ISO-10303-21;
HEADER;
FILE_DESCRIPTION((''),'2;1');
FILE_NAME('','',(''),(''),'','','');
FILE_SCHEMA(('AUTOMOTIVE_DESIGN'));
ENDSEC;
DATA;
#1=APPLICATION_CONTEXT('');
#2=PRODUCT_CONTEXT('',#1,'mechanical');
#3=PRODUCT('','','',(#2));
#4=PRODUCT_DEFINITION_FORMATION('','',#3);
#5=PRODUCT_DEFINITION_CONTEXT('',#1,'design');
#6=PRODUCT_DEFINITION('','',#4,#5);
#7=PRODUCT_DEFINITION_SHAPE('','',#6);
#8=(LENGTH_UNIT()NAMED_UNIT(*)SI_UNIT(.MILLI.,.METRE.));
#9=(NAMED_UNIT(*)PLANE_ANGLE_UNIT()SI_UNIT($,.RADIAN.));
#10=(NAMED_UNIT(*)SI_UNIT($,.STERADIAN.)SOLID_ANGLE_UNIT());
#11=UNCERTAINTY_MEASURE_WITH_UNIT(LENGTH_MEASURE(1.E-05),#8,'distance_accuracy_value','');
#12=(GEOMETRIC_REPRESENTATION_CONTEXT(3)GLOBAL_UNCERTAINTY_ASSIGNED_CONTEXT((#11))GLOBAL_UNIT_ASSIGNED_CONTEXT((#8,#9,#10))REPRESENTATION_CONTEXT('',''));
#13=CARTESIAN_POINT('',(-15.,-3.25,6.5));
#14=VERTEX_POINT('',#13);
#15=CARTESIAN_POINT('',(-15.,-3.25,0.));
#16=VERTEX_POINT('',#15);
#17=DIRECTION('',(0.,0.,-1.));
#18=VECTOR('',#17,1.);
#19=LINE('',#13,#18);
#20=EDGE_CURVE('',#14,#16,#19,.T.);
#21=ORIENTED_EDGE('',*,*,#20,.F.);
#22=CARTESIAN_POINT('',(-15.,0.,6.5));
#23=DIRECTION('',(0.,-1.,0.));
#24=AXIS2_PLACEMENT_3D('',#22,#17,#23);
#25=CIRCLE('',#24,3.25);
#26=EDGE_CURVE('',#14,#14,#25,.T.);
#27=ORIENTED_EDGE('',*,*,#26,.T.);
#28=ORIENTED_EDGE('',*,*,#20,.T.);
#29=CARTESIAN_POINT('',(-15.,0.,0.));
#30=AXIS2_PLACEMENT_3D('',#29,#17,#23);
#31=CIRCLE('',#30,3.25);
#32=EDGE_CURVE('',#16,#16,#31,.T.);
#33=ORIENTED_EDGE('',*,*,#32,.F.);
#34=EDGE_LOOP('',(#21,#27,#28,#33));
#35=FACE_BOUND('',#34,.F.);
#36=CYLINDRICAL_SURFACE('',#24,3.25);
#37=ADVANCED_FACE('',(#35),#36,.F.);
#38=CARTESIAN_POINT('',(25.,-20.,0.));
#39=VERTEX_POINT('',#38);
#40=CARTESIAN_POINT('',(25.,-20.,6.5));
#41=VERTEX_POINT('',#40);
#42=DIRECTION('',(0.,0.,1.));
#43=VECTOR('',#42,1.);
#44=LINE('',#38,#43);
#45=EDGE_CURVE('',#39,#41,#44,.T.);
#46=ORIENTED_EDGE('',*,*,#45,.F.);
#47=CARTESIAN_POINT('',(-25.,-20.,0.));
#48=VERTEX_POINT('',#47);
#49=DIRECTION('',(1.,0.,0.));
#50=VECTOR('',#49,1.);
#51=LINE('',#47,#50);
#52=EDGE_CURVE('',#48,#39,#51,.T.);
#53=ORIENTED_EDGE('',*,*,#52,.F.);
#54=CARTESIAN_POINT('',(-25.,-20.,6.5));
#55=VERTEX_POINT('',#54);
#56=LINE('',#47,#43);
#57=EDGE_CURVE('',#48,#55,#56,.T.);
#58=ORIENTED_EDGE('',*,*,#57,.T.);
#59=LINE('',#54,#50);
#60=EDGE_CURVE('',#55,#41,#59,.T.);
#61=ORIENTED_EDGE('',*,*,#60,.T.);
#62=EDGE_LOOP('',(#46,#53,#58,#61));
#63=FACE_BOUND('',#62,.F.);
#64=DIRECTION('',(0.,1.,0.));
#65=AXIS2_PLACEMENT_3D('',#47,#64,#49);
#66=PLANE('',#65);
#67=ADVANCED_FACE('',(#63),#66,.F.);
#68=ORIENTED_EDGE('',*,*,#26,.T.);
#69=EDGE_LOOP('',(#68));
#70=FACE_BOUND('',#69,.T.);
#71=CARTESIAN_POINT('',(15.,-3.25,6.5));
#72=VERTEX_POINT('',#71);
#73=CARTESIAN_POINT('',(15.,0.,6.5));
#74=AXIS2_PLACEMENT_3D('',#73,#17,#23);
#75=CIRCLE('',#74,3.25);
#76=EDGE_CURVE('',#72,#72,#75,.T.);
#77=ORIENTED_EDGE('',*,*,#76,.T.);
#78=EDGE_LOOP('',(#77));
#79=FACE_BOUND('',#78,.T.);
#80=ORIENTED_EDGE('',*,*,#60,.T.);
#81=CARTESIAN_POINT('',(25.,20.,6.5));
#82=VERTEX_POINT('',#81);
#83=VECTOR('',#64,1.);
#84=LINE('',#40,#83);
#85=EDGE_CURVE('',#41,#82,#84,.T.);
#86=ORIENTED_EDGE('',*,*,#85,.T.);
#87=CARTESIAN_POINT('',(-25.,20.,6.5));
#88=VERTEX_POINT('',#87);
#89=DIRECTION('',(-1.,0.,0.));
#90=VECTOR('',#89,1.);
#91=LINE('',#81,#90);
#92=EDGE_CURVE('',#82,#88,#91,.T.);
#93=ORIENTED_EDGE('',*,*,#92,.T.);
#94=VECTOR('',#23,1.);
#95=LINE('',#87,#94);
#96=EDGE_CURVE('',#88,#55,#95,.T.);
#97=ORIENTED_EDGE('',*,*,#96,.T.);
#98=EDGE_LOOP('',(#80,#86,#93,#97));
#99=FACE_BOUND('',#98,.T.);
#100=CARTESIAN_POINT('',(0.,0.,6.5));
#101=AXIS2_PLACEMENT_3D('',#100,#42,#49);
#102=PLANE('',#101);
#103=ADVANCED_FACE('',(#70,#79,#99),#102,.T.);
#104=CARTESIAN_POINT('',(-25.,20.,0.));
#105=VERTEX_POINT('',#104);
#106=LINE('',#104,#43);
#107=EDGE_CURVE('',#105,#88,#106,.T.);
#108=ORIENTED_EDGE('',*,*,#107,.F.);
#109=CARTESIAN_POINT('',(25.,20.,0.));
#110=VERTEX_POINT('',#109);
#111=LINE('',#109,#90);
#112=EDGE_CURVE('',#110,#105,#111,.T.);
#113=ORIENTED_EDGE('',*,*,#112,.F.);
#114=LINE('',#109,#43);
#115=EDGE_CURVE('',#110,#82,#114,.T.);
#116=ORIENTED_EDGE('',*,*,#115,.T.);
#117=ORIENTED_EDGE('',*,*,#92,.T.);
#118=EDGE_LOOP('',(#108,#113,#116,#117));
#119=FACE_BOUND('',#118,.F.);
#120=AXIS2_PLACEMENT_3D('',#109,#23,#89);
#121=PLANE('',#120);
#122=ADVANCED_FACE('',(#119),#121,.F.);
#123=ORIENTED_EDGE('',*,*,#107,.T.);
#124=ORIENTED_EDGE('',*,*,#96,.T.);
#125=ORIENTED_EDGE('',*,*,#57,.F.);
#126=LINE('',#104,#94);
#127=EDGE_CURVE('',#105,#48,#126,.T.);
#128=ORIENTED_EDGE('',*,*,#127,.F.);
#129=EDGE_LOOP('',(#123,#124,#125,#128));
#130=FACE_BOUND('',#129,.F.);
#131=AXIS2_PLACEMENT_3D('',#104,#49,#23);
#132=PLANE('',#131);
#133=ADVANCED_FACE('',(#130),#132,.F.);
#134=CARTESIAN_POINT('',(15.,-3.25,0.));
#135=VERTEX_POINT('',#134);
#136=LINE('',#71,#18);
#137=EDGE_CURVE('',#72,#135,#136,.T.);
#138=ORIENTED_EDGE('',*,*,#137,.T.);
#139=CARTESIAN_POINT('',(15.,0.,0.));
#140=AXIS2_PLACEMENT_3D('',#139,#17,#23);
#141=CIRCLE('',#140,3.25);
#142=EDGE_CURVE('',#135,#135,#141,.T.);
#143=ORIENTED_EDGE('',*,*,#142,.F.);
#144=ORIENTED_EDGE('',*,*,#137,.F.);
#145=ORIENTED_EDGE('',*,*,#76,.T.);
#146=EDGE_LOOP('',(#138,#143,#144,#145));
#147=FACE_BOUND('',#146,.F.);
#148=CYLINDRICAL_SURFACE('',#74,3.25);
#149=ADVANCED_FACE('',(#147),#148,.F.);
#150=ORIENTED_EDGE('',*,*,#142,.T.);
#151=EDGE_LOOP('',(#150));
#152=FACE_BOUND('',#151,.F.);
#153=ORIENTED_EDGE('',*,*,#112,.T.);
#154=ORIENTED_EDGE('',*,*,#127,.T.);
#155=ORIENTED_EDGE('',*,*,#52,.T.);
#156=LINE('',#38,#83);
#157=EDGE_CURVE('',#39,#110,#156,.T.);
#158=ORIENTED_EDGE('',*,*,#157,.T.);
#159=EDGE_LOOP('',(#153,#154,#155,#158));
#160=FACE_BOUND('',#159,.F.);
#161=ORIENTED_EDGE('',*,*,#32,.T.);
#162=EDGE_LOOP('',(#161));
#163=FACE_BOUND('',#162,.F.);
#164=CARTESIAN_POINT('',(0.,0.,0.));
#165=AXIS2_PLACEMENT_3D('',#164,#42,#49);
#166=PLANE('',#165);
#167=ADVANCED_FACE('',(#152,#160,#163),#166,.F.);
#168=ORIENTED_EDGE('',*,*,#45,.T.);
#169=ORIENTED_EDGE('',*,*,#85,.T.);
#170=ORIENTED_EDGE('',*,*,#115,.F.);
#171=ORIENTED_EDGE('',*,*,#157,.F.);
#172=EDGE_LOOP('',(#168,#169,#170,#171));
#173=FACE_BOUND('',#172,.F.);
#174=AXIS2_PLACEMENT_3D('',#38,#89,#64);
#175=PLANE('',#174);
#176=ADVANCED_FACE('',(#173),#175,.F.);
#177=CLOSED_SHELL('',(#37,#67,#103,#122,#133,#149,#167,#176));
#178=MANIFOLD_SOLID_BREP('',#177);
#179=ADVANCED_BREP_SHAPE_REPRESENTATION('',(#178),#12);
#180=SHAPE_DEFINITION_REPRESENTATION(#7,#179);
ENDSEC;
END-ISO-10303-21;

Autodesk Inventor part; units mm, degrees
ref_plane "YZ Plane" through (0, 0, 0) normal (1, 0, 0) x (0, 1, 0)
ref_plane "XZ Plane" through (0, 0, 0) normal (0, 1, 0) x (-1, 0, 0)
ref_plane "XY Plane" through (0, 0, 0) normal (0, 0, 1) x (1, 0, 0)
sketch "Sketch1" plane through (0, 0, 0) normal (0, 0, 1) x (1, 0, 0)
  line L0 (-25, -20) -> (25, -20)
  line L1 (25, -20) -> (25, 20)
  line L2 (25, 20) -> (-25, 20)
  line L3 (-25, 20) -> (-25, -20)
  point P0 (0, 0)
  dimension "d0" = 50
  dimension "d1" = 40
extrude "Extrusion1" add sketch "Sketch1" along normal blind 6.5
sketch "Sketch2" plane through (0, 0, 6.5) normal (0, 0, 1) x (1, 0, 0)
  circle A0 centre (-15, 0) radius 3.25
  point P0 (0, 0)
  dimension "d4" = 6.5
hole "Hole1" at (-15, 0, 6.5) direction (0, 0, -1) diameter 6.5 end through all
sketch "Sketch3" plane through (0, 0, 6.5) normal (0, 0, 1) x (1, 0, 0)
  circle A0 centre (15, 0) radius 3.25
  point P0 (0, 0)
  dimension "d12" = 6.5
hole "Hole2" at (15, 0, 6.5) direction (0, 0, -1) diameter 6.5 end through all
properties part number "Bed Plate"
